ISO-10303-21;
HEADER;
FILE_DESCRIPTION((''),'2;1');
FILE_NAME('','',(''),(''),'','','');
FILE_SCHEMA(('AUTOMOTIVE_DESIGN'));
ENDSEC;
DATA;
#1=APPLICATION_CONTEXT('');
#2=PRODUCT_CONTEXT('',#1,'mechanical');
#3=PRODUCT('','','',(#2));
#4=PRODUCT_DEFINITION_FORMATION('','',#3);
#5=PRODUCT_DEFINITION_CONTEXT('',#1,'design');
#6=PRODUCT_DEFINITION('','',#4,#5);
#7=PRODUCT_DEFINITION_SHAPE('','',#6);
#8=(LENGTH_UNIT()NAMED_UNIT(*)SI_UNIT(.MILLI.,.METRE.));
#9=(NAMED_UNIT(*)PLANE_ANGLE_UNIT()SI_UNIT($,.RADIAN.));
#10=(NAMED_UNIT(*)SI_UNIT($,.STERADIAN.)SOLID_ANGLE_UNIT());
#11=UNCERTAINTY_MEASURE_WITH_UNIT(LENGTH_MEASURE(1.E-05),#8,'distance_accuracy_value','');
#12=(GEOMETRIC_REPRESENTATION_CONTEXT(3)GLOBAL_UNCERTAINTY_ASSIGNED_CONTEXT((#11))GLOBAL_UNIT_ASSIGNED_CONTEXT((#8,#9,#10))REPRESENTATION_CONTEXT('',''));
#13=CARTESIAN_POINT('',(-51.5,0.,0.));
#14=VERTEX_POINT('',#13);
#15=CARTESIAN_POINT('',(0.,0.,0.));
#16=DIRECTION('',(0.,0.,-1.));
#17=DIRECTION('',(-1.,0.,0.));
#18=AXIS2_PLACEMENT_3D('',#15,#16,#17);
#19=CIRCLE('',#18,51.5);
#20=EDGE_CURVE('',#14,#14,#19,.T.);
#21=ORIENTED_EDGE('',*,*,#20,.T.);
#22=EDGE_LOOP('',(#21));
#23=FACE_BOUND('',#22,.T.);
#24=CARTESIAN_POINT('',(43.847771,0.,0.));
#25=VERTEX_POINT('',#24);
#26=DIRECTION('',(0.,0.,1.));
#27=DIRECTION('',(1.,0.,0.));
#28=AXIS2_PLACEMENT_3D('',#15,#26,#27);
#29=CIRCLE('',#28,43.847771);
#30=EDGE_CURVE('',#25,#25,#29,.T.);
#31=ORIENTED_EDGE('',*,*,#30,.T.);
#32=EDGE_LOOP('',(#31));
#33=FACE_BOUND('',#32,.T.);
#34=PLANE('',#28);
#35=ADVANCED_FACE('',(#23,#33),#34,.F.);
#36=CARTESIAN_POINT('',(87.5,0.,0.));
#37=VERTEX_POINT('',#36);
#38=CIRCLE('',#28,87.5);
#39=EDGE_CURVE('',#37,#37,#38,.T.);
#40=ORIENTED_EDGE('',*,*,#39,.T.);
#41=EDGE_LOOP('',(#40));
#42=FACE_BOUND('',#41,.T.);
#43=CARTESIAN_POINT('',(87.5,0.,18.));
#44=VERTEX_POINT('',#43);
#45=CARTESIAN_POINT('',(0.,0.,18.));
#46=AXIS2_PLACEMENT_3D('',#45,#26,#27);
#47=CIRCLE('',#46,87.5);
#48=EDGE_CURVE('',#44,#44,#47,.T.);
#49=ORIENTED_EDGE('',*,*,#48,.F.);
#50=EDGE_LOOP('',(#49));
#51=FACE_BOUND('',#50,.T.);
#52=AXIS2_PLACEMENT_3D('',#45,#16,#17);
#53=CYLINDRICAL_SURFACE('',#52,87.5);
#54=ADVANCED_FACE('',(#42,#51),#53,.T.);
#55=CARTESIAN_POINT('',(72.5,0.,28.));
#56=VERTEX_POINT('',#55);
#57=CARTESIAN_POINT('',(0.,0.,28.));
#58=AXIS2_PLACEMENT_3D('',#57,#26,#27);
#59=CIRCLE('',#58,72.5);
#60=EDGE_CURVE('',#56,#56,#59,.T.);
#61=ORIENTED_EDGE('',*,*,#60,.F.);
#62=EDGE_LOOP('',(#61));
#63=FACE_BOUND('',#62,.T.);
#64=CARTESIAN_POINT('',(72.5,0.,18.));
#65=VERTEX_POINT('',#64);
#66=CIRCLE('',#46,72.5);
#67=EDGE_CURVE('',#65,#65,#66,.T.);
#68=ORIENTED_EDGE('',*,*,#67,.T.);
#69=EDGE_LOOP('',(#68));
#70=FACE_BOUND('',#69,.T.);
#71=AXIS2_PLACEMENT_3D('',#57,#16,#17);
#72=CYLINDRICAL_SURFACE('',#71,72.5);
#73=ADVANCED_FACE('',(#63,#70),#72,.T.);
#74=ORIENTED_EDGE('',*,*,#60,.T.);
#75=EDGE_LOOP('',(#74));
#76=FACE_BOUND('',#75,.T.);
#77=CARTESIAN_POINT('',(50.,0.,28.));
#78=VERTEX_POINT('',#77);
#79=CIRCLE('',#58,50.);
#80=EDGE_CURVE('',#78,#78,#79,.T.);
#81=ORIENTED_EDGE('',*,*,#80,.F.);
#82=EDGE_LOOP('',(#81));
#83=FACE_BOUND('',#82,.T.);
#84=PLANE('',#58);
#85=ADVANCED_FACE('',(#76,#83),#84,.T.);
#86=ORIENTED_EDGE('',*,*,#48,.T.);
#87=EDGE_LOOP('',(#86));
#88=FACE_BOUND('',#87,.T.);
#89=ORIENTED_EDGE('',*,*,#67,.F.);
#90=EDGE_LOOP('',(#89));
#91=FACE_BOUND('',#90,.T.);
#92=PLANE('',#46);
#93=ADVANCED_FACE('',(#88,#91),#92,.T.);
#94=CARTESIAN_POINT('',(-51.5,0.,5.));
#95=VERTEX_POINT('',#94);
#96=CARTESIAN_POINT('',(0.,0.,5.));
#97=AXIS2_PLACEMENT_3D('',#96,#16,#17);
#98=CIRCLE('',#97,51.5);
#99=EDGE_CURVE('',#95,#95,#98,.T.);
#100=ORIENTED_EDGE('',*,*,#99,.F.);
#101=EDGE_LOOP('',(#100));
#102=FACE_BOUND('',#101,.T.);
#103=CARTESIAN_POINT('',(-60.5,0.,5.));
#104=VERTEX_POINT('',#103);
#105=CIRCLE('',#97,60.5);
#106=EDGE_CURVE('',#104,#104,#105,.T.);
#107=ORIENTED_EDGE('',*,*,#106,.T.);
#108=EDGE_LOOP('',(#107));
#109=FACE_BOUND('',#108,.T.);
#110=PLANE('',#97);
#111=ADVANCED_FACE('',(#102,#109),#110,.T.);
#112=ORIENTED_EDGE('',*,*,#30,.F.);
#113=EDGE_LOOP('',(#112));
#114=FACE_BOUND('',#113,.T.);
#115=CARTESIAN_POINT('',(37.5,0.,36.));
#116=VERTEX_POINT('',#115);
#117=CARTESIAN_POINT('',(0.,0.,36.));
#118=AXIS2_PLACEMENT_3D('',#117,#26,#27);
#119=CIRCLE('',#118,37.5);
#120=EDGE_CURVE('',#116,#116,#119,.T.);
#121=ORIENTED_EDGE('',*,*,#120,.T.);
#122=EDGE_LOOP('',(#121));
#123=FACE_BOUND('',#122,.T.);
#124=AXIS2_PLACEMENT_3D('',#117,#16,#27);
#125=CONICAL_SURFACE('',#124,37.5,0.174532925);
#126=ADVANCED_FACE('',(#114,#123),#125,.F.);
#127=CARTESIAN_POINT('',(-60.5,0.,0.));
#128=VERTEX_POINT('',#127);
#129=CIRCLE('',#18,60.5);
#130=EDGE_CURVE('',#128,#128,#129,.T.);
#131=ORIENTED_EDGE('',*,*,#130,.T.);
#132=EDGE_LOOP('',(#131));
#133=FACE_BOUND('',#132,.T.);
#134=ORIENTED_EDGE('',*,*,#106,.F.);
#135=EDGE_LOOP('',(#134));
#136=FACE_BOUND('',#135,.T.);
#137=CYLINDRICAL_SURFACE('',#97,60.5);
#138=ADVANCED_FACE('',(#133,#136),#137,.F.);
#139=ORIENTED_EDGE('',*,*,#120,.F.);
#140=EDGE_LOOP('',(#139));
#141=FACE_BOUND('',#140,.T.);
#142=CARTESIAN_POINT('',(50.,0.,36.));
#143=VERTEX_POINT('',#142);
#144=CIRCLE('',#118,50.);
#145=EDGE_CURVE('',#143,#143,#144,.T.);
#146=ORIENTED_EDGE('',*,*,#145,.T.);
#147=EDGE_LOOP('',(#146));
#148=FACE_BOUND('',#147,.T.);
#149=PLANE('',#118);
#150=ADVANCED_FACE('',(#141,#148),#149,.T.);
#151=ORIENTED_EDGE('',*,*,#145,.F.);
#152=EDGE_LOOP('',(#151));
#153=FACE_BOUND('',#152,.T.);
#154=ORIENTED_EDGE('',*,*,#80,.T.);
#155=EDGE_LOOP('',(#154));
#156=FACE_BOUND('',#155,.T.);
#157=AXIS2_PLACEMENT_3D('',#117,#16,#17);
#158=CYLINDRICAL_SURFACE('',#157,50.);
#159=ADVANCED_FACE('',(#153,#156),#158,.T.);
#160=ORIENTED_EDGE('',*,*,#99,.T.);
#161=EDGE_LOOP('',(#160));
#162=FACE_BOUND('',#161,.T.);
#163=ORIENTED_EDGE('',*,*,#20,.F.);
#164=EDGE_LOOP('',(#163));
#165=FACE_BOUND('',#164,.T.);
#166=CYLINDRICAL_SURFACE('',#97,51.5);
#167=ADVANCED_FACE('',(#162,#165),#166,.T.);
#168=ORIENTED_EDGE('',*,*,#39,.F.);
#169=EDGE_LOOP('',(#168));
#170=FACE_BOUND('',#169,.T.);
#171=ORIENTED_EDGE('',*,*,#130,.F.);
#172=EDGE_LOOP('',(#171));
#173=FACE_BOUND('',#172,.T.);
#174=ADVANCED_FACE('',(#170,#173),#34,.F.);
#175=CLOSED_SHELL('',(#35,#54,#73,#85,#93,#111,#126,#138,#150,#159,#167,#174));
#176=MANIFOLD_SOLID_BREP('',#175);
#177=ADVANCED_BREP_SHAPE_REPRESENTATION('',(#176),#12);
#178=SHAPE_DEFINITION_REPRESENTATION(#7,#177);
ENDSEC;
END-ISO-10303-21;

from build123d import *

# Parameters (mm, degrees)
SKETCH_1_R          = 87.5
EXTRUDE_1_DEPTH     = 18
SKETCH_2_R          = 72.5
EXTRUDE_2_DEPTH     = 10
SKETCH_3_R          = 50
EXTRUDE_3_DEPTH     = 8
SKETCH_4_R          = 60.5
SKETCH_4_R_2        = 51.5
CUT_EXTRUDE_1_DEPTH = 5
SKETCH_5_R          = 37.5
CUT_EXTRUDE_2_DEPTH = 129.873969443
CUT_EXTRUDE_2_DRAFT = 10


with BuildPart() as part:
    # 草图1 → 凸台-拉伸1 (new body)
    with BuildSketch(Plane.XY):
        Circle(SKETCH_1_R)
    extrude(amount=EXTRUDE_1_DEPTH)

    # 草图2 → 凸台-拉伸2 (add)
    with BuildSketch(Plane.XY.offset(18)):
        Circle(SKETCH_2_R)
    extrude(amount=EXTRUDE_2_DEPTH)

    # 草图3 → 凸台-拉伸3 (add)
    with BuildSketch(Plane.XY.offset(28)):
        Circle(SKETCH_3_R)
    extrude(amount=EXTRUDE_3_DEPTH)

    # 草图4 → 切除-拉伸1 (cut)
    with BuildSketch(Plane(origin=(0, 0, 0), x_dir=(-1, 0, 0), z_dir=(0, 0, -1))):
        Circle(SKETCH_4_R)
        Circle(SKETCH_4_R_2, mode=Mode.SUBTRACT)
    extrude(amount=-CUT_EXTRUDE_1_DEPTH, mode=Mode.SUBTRACT)


with BuildPart() as cut_extrude_2_tool:
    # 草图5 → 切除-拉伸2 (with draft: the straight prism first)
    with BuildSketch(Plane.XY.offset(36)):
        Circle(SKETCH_5_R)
    extrude(amount=-CUT_EXTRUDE_2_DEPTH)
    # 切除-拉伸2: the draft: its side faces are tilted about the plane it starts from
    cut_extrude_2_sides = [cut_extrude_2_tool.faces().sort_by_distance(p)[0] for p in [
        (-37.5, 0, -28.936984722),
    ]]
    draft(cut_extrude_2_sides, Plane.XY.offset(36), CUT_EXTRUDE_2_DRAFT)


with BuildPart() as part_1:
    add(part.part)

    # 切除-拉伸2: cut by cut_extrude_2_tool
    add(cut_extrude_2_tool.part, mode=Mode.SUBTRACT)


solid = part_1.part
